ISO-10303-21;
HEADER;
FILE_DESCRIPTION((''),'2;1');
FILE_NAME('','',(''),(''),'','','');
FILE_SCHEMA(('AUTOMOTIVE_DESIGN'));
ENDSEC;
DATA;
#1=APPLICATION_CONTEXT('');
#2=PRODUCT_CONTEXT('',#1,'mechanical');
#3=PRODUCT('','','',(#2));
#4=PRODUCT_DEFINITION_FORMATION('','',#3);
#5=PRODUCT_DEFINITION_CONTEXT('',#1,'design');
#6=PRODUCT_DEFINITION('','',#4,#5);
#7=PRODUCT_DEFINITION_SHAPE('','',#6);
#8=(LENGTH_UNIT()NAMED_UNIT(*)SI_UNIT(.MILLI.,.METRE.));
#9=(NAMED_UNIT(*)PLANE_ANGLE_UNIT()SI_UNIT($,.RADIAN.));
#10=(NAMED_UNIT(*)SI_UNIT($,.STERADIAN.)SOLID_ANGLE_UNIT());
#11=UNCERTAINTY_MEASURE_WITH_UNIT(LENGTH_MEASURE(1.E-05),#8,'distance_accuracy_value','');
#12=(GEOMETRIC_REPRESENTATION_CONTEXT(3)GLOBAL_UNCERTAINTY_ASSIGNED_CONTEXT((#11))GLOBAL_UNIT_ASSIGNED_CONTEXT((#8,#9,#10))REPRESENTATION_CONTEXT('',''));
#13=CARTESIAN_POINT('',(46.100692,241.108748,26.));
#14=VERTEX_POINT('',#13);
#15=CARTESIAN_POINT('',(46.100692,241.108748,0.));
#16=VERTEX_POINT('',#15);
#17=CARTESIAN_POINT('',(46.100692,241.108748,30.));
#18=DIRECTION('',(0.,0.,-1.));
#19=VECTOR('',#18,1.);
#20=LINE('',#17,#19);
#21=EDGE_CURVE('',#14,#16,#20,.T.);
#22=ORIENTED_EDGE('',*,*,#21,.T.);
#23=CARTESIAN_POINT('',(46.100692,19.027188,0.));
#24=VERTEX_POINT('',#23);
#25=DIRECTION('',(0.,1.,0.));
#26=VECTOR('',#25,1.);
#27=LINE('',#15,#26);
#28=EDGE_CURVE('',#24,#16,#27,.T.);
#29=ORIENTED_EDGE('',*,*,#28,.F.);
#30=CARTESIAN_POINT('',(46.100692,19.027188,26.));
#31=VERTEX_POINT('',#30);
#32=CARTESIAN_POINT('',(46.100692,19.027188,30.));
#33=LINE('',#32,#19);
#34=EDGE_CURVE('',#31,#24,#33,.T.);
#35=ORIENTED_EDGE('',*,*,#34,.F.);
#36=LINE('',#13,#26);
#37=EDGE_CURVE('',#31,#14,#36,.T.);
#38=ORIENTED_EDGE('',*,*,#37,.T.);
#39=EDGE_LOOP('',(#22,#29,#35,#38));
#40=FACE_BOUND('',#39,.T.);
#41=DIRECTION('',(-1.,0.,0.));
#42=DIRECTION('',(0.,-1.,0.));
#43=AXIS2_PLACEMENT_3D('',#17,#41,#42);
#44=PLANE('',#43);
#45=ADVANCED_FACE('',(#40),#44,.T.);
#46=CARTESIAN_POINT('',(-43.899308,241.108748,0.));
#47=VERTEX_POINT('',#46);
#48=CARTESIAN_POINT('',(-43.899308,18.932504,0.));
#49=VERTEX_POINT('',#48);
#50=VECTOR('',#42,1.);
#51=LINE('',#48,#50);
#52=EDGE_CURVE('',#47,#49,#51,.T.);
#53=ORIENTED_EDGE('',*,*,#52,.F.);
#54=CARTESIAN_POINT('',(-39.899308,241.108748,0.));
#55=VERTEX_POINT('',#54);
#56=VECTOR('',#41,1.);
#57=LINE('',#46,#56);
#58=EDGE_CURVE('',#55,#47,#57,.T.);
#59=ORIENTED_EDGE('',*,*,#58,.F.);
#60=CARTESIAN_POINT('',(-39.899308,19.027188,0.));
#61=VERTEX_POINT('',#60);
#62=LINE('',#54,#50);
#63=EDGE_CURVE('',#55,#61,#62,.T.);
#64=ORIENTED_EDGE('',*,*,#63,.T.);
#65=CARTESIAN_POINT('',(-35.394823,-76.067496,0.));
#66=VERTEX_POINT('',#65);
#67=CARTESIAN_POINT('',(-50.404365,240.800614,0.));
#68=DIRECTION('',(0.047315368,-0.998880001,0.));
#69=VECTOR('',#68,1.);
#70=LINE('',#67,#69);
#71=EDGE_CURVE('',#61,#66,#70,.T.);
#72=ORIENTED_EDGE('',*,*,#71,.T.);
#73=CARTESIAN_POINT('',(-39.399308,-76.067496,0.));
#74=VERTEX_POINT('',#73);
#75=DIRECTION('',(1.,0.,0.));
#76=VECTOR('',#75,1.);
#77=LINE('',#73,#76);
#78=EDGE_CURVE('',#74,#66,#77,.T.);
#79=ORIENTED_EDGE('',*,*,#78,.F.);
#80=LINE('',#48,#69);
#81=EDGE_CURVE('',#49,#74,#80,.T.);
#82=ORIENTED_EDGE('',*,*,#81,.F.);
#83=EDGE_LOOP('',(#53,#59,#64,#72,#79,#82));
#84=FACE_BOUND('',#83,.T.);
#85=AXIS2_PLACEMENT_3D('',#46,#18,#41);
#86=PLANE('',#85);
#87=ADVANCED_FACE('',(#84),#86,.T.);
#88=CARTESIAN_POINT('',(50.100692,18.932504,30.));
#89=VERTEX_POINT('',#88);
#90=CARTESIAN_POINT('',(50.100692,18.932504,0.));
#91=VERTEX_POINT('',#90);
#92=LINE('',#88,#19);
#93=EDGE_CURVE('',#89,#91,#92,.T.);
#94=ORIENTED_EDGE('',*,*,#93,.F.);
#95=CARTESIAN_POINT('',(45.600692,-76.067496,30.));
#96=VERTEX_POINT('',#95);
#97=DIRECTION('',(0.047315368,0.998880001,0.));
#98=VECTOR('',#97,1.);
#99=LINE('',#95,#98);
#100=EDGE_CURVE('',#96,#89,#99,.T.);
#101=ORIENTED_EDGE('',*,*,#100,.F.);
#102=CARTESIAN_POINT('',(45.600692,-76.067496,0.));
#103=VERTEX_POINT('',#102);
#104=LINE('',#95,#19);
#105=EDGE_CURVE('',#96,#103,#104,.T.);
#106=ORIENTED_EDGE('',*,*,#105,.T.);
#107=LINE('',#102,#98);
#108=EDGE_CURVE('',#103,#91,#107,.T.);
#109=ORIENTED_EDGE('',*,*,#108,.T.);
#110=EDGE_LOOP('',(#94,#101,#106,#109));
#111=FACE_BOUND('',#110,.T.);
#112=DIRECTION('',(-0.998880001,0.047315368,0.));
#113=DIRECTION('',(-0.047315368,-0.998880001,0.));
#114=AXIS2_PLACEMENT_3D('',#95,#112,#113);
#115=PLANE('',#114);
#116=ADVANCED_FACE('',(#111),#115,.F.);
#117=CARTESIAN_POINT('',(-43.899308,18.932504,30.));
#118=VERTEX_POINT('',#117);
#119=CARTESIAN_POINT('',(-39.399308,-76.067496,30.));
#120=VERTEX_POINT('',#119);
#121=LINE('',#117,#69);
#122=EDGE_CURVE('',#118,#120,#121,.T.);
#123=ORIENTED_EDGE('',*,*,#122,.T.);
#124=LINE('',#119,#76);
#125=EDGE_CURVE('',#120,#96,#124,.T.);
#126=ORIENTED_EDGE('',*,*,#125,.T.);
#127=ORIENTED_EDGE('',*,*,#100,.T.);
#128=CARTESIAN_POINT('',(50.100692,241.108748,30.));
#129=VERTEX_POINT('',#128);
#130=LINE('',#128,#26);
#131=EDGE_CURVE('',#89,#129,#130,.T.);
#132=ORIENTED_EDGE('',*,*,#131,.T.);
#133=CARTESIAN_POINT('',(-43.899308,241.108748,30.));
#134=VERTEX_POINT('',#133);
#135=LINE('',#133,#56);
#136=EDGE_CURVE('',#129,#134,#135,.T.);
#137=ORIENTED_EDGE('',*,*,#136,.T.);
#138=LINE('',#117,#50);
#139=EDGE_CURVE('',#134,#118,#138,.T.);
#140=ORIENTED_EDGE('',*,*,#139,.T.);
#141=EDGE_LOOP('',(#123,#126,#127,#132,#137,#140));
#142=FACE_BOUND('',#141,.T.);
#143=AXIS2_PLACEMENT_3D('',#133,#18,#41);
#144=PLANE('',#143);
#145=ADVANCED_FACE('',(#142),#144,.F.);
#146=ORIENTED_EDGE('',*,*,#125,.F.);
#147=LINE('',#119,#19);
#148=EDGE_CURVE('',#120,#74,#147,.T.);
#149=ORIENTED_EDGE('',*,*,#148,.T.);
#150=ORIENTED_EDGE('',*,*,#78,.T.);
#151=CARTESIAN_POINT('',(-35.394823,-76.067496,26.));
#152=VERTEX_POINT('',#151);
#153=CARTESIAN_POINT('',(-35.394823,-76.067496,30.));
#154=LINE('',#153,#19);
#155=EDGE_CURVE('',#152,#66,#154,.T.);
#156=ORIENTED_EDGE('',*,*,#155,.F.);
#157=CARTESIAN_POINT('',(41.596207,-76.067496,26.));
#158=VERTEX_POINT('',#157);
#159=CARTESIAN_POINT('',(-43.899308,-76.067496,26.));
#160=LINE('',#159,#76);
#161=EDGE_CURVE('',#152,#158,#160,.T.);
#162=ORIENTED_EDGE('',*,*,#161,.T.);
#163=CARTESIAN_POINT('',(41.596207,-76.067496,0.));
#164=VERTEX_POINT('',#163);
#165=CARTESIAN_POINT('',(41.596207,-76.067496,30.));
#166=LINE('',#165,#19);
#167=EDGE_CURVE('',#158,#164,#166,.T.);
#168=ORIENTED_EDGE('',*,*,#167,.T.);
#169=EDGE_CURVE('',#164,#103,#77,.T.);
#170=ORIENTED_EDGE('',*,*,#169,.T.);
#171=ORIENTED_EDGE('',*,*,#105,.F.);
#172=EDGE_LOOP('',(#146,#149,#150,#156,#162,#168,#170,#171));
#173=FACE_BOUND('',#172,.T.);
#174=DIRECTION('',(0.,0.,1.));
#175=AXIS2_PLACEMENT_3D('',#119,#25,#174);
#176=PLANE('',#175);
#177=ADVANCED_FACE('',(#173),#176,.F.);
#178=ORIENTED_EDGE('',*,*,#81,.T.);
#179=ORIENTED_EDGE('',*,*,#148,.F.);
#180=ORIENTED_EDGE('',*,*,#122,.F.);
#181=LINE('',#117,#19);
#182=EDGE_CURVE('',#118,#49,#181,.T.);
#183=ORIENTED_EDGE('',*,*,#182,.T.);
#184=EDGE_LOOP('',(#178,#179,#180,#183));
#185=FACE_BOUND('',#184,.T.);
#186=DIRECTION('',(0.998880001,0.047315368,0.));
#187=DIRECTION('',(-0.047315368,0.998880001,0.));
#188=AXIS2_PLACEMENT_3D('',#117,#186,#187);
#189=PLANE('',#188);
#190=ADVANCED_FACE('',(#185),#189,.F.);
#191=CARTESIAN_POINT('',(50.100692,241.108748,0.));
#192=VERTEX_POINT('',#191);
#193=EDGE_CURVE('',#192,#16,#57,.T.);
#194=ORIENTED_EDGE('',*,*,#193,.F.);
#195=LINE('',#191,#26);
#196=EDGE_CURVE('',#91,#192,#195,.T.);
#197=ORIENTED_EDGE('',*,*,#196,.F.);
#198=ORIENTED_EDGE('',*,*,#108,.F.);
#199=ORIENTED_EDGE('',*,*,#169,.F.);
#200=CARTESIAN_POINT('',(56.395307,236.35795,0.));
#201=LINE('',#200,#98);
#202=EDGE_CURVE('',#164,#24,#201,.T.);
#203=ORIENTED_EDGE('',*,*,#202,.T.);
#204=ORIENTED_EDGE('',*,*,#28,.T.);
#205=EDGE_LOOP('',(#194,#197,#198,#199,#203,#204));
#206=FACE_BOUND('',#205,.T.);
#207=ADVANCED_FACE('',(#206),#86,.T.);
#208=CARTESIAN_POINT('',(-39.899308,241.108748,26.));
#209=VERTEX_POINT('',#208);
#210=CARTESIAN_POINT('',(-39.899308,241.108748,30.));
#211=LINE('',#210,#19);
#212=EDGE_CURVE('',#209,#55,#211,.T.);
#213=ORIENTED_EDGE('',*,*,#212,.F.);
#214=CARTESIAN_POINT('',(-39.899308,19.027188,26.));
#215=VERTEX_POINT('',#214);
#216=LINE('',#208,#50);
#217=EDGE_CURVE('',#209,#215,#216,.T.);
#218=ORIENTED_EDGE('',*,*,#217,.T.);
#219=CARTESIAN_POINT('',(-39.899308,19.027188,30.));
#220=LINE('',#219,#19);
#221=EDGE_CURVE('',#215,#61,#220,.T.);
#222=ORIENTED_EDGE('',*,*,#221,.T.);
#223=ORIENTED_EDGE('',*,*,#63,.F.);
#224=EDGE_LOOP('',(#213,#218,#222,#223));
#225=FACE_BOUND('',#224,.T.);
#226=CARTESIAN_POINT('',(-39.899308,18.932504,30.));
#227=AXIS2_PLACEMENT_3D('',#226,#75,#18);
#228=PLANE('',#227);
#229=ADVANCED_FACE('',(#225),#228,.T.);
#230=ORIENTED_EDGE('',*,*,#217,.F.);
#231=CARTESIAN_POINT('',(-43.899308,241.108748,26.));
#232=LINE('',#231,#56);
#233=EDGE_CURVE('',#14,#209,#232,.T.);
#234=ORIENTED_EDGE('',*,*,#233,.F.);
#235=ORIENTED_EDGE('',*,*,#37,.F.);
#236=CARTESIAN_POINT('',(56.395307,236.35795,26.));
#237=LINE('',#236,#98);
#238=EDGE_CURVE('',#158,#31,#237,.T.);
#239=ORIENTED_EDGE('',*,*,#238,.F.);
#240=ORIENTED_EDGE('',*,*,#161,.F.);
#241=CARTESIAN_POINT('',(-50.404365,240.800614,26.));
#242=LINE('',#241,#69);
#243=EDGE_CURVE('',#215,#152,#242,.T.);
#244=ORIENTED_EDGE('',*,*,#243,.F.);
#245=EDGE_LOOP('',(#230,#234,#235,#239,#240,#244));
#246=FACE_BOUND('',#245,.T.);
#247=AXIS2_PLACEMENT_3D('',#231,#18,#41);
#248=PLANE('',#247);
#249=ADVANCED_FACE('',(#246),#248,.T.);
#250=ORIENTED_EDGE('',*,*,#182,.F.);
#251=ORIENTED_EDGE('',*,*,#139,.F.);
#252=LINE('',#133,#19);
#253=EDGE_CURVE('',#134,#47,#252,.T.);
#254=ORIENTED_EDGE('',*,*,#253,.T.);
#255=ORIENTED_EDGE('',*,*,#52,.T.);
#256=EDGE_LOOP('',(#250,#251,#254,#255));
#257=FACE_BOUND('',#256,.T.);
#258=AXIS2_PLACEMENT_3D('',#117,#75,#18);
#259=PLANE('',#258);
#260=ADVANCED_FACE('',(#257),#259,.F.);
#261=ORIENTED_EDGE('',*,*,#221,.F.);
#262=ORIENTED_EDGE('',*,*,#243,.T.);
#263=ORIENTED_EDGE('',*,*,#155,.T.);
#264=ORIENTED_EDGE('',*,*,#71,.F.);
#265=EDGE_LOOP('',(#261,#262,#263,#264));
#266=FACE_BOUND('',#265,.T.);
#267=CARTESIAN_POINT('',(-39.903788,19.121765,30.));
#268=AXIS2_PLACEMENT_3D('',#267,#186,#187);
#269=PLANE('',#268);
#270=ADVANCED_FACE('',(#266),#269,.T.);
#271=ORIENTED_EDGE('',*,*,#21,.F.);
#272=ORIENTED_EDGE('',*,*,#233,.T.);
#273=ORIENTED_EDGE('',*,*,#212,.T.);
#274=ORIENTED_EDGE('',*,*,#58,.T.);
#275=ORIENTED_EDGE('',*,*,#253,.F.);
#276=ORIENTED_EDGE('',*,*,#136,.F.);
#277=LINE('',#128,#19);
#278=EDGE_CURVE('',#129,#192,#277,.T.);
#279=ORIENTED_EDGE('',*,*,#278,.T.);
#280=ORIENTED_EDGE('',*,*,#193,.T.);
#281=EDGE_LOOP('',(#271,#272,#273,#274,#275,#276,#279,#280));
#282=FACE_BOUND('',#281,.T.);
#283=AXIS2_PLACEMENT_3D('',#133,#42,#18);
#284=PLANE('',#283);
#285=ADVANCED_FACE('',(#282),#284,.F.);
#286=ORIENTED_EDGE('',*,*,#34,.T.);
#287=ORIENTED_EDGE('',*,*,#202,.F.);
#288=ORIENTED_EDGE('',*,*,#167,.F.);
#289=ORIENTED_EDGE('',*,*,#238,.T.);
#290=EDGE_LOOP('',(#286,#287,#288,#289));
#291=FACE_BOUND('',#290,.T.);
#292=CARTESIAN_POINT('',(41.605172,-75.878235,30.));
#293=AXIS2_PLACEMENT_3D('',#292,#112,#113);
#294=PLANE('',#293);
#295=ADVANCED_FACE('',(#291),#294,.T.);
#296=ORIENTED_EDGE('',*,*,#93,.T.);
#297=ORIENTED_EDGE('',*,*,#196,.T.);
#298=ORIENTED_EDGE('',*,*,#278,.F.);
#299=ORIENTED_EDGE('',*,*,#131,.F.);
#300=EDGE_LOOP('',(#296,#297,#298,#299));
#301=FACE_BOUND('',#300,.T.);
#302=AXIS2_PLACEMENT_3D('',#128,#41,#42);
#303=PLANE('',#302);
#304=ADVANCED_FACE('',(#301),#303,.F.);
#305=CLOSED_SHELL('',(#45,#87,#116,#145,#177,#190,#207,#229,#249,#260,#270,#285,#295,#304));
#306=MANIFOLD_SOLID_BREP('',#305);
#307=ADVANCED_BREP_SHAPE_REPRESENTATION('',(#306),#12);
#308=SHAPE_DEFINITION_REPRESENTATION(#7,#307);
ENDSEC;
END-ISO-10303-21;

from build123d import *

# Parameters (mm, degrees)
DODANIE_WYCI_GNI_CIE1_DEPTH = 30
SKORUPA2_T                  = -4


with BuildPart() as part:
    # Szkic1 → Dodanie-wyciągnięcie1 (new body)
    with BuildSketch(Plane.XY):
        Polygon((-43.89930842, 241.108747994), (50.10069158, 241.108747994), (50.10069158, 18.932504013), (45.60069158, -76.067495987), (-39.39930842, -76.067495987), (-43.89930842, 18.932504013), align=None)
    extrude(amount=DODANIE_WYCI_GNI_CIE1_DEPTH)

    # Skorupa2
    skorupa2_openings = [part.faces().sort_by_distance(p)[0] for p in [
        (3.10069158, 241.108747994, 15),
        (3.10069158, -76.067495987, 15),
        (3.10069158, 84.366979784, 0),
    ]]
    offset(amount=SKORUPA2_T, openings=skorupa2_openings, kind=Kind.INTERSECTION)


solid = part.part
